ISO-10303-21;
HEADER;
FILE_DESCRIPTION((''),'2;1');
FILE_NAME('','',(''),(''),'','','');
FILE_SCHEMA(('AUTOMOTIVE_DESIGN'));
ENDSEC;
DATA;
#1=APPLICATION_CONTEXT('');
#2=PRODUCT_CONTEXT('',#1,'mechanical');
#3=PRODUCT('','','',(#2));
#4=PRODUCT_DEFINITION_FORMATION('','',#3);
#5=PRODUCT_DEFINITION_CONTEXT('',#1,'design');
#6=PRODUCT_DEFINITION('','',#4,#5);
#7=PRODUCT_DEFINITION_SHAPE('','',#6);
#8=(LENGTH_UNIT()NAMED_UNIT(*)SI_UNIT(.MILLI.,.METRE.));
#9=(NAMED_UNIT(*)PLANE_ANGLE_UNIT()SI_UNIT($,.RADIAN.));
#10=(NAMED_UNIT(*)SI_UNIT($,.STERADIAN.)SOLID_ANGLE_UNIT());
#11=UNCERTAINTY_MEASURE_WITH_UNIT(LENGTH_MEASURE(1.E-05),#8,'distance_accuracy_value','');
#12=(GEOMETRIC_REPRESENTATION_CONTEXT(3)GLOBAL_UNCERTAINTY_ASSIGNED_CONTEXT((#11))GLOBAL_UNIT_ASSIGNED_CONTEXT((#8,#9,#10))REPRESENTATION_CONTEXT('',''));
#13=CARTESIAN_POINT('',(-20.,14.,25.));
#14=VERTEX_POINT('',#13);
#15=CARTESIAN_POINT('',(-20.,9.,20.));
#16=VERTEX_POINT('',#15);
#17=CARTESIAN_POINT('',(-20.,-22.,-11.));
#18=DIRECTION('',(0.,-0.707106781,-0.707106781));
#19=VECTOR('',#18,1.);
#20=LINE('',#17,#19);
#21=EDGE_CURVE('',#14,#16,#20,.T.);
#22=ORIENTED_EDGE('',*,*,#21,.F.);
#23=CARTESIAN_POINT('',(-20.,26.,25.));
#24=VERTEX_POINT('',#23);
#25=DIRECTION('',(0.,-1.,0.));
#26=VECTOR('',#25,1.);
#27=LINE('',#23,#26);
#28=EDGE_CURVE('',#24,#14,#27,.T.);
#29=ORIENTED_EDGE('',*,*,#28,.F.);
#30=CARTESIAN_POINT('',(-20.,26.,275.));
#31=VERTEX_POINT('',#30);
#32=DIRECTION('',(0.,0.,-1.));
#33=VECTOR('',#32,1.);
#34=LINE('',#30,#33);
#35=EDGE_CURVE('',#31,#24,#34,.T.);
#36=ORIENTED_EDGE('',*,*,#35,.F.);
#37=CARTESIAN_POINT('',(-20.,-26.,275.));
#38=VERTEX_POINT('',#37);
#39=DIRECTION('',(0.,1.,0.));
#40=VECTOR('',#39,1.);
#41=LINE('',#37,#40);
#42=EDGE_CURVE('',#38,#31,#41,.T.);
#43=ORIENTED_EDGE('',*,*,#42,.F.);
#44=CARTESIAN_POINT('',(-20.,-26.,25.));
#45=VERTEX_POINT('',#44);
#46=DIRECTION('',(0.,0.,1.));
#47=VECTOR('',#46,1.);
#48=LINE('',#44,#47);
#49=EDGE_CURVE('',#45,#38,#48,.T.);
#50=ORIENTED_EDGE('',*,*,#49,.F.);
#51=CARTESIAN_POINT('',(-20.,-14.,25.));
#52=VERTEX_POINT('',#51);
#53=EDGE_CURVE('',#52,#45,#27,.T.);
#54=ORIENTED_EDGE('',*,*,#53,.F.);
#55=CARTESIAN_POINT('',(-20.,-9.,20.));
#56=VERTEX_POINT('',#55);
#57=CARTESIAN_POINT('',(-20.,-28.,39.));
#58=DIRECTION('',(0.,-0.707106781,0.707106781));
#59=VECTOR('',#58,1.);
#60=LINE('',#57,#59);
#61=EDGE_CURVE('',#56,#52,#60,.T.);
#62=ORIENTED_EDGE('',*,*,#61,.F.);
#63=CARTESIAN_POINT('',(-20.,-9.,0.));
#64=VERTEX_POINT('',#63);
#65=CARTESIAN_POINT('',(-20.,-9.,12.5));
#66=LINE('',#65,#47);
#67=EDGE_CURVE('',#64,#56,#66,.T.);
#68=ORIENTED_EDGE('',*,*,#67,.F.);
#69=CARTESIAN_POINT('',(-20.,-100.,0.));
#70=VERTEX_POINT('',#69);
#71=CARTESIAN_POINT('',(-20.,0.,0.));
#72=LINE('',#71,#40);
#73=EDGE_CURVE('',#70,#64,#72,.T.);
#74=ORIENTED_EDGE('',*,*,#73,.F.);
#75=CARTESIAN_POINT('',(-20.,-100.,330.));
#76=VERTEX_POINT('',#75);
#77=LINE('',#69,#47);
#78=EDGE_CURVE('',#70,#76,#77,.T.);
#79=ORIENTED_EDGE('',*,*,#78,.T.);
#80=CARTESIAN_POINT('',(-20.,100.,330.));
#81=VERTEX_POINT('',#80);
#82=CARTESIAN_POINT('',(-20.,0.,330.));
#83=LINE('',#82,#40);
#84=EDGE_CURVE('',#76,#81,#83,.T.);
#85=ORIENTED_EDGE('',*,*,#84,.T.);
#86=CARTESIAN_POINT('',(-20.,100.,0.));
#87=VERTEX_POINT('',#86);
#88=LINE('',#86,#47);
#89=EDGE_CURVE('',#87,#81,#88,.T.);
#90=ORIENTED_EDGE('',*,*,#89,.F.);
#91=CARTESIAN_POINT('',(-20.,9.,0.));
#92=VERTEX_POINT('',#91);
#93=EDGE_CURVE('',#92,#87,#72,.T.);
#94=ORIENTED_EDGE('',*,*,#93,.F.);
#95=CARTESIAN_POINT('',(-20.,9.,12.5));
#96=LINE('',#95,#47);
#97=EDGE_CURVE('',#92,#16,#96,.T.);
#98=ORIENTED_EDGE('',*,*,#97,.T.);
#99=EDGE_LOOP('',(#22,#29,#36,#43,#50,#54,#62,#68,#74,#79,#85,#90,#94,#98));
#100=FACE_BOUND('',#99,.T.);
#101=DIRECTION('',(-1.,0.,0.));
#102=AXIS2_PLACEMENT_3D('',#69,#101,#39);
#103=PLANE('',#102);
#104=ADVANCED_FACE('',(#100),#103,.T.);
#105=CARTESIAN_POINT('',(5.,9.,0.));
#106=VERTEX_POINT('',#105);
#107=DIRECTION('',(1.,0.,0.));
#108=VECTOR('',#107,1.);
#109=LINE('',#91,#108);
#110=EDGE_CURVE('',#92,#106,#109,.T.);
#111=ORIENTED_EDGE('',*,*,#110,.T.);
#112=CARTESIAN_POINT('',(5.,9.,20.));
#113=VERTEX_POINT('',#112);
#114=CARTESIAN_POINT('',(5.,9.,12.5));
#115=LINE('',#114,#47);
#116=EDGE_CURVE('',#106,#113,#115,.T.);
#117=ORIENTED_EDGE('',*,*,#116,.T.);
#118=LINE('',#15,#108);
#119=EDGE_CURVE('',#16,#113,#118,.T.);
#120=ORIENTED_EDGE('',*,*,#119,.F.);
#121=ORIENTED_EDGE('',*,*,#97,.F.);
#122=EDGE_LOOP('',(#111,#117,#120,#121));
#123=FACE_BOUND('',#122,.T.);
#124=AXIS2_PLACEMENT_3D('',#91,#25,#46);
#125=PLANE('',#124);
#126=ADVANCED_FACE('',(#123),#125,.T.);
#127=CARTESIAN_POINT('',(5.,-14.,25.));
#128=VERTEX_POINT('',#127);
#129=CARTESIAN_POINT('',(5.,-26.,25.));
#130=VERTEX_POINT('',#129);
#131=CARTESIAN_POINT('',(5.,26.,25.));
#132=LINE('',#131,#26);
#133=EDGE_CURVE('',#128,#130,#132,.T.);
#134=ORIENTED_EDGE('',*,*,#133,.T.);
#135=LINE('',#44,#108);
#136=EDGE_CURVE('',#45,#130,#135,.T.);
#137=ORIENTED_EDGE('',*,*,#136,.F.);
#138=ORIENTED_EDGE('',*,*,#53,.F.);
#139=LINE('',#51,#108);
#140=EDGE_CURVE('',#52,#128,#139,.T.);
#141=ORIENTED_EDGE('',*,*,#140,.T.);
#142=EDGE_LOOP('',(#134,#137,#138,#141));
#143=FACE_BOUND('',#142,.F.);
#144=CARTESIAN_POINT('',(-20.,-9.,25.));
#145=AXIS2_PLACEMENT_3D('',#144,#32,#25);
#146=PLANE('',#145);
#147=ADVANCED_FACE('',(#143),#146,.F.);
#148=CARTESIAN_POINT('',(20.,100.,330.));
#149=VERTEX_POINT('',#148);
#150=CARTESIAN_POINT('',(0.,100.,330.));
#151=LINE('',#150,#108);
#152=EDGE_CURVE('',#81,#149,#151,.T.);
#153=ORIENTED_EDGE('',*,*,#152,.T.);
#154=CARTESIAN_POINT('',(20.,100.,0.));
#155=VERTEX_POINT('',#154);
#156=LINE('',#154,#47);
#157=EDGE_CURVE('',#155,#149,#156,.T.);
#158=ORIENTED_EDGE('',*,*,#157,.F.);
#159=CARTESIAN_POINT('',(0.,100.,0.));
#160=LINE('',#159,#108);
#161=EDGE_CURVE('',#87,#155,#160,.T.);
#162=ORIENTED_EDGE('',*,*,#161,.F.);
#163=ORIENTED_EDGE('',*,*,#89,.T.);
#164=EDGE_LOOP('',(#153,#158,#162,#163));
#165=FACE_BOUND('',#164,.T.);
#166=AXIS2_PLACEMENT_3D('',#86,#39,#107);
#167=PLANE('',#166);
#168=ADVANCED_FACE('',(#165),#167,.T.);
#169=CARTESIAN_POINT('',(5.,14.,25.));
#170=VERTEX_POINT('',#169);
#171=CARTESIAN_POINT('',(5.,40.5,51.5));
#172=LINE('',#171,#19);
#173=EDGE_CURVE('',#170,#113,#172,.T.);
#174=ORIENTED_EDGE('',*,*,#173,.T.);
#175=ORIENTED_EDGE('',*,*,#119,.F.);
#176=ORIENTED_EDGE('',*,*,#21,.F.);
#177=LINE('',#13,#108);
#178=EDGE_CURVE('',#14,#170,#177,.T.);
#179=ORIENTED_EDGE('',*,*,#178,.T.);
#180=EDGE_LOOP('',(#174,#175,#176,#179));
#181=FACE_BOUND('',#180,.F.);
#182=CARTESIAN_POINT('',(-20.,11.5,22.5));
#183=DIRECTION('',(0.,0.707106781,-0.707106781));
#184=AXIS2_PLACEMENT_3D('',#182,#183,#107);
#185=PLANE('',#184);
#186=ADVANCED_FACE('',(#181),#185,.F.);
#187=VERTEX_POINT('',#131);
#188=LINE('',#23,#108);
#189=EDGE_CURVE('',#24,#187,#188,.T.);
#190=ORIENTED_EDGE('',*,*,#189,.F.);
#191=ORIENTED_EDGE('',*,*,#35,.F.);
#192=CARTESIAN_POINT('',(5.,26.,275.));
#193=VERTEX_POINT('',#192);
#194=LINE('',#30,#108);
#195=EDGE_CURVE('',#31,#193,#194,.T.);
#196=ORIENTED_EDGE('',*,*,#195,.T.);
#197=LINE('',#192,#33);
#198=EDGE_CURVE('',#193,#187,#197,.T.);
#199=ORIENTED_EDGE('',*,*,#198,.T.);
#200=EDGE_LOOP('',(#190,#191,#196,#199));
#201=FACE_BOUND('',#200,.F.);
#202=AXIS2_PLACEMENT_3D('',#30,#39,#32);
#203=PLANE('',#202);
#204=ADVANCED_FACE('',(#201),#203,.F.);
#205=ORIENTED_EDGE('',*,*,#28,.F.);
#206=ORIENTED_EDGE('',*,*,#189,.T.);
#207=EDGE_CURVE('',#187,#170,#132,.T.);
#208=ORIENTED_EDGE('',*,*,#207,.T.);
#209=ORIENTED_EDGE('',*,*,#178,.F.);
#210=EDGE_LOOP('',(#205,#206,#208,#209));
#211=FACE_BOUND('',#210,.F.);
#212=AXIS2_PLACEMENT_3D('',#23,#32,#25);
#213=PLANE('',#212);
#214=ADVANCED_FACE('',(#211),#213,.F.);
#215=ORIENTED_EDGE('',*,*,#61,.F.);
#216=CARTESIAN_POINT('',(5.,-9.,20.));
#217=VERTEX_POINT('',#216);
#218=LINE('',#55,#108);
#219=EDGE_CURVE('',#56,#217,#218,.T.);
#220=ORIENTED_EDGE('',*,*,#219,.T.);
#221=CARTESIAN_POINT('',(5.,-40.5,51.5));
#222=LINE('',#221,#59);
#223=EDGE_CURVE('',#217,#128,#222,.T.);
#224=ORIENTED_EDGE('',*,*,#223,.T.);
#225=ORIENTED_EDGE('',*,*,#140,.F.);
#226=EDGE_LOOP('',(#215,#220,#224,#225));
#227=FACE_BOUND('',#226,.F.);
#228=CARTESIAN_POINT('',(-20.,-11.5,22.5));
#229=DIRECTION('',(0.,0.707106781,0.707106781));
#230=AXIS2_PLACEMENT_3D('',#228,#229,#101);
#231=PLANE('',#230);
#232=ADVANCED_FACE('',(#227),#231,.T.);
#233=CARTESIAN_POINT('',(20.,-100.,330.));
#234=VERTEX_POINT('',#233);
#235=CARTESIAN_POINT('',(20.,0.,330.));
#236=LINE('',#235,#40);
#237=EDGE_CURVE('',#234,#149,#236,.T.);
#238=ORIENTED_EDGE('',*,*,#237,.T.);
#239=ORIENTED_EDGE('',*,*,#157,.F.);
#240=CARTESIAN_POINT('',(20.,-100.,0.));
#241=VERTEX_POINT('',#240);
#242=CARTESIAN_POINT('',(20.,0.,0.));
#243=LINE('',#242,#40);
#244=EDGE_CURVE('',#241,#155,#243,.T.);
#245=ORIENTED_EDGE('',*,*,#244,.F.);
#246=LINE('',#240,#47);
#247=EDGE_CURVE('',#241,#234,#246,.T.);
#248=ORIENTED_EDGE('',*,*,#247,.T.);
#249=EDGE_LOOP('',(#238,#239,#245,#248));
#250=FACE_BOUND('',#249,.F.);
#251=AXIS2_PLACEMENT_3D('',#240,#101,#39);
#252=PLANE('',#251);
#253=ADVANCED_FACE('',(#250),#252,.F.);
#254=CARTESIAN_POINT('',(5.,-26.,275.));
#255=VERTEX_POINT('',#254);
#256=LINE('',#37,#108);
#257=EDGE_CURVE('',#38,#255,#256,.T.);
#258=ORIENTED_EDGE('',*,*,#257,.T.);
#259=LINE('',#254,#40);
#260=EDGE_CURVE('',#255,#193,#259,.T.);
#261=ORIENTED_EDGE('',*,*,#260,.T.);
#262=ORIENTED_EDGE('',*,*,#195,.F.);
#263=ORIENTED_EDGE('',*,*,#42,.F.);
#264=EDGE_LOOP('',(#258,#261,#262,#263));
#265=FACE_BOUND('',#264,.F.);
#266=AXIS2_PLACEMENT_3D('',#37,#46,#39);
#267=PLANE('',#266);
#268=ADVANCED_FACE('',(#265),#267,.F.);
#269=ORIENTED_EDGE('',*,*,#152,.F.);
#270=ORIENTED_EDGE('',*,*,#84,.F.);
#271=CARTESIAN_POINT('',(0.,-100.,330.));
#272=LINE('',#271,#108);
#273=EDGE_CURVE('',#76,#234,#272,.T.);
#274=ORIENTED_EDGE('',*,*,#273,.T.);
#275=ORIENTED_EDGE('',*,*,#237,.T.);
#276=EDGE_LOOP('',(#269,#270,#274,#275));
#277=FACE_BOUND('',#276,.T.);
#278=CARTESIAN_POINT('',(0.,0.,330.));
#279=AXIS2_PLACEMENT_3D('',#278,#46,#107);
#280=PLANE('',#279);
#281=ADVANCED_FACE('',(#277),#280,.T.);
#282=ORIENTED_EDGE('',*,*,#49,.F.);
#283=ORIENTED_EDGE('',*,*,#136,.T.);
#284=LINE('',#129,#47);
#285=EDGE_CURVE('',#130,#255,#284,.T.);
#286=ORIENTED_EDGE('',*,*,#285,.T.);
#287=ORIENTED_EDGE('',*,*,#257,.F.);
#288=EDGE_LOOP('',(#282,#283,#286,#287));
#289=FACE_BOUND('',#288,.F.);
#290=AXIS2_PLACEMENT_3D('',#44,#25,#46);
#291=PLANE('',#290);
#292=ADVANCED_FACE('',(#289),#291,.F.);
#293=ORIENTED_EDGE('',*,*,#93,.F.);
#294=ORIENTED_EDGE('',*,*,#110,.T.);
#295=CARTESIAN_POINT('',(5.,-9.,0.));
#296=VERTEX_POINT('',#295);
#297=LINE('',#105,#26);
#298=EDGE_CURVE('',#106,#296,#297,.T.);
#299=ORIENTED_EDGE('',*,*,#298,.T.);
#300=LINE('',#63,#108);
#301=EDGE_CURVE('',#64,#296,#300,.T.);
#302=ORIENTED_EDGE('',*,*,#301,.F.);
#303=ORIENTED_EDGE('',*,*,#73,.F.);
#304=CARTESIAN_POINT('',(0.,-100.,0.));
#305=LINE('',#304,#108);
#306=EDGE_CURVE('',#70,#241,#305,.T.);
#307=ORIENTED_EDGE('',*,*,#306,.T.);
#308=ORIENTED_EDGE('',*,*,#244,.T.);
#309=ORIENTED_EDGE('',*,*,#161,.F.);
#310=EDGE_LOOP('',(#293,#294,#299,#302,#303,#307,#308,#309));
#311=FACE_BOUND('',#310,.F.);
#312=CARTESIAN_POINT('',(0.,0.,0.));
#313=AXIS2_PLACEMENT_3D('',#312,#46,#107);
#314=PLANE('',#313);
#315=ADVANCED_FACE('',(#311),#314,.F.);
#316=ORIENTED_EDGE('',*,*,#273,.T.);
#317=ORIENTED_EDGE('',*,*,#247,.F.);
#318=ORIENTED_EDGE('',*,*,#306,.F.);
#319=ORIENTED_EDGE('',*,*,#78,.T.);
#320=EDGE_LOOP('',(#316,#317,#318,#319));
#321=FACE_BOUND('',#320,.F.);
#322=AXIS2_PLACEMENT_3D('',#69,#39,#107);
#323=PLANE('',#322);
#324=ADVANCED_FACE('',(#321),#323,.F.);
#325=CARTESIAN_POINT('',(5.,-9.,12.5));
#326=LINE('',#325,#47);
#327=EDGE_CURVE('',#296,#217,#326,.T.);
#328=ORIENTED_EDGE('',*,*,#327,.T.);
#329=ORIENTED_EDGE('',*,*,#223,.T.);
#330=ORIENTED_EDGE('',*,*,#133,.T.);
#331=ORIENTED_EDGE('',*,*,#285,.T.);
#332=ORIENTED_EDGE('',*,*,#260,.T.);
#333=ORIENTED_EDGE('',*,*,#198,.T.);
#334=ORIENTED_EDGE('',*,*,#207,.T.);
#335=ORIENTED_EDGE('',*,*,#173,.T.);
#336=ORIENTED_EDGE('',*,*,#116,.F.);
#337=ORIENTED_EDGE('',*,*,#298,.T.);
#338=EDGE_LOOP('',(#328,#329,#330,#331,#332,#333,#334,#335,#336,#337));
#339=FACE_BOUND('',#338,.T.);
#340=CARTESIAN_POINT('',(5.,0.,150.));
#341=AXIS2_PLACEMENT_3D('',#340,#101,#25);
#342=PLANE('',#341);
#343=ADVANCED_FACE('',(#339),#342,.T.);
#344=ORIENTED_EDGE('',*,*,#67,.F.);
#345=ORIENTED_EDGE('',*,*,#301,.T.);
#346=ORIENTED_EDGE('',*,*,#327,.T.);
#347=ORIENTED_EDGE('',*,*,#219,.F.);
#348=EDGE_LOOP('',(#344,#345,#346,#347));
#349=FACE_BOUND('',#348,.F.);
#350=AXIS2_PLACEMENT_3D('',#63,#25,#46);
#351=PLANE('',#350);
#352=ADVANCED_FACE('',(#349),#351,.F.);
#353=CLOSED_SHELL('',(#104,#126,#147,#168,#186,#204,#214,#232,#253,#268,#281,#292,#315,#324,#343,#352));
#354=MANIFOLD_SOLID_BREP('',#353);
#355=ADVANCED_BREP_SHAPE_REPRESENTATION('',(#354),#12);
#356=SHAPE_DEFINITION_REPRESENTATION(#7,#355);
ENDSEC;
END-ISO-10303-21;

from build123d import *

# Parameters (mm, degrees)
F0_W     = 40
F0_H     = 200
F1_DEPTH = 330
F2_W     = 9
F2_H     = 25
F3_DEPTH = 25
F4_SIZE  = 5


with BuildPart() as f1:
    # F0 (on Top) → F1 (new body)
    with BuildSketch(Plane.XY):
        Rectangle(F0_W, F0_H)
    extrude(amount=F1_DEPTH)

    # F2 (on face) → F3 (cut)
    with BuildSketch(Plane(origin=(-20, 0, 0), x_dir=(0, -1, 0), z_dir=(-1, 0, 0))):
        Polygon((9, 25), (26, 25), (26, 275), (-26, 275), (-26, 25), (-9, 25), (0, 25), align=None)
        with Locations((4.5, 12.5)):
            Rectangle(F2_W, F2_H)
        with Locations((-4.5, 12.5)):
            Rectangle(F2_W, F2_H)
    extrude(amount=-F3_DEPTH, mode=Mode.SUBTRACT)

    # F4
    f4_edges = [f1.edges().sort_by_distance(p)[0] for p in [
        (-7.5, 9, 25),
        (-7.5, -9, 25),
    ]]
    chamfer(f4_edges, length=F4_SIZE)


solid = f1.part
